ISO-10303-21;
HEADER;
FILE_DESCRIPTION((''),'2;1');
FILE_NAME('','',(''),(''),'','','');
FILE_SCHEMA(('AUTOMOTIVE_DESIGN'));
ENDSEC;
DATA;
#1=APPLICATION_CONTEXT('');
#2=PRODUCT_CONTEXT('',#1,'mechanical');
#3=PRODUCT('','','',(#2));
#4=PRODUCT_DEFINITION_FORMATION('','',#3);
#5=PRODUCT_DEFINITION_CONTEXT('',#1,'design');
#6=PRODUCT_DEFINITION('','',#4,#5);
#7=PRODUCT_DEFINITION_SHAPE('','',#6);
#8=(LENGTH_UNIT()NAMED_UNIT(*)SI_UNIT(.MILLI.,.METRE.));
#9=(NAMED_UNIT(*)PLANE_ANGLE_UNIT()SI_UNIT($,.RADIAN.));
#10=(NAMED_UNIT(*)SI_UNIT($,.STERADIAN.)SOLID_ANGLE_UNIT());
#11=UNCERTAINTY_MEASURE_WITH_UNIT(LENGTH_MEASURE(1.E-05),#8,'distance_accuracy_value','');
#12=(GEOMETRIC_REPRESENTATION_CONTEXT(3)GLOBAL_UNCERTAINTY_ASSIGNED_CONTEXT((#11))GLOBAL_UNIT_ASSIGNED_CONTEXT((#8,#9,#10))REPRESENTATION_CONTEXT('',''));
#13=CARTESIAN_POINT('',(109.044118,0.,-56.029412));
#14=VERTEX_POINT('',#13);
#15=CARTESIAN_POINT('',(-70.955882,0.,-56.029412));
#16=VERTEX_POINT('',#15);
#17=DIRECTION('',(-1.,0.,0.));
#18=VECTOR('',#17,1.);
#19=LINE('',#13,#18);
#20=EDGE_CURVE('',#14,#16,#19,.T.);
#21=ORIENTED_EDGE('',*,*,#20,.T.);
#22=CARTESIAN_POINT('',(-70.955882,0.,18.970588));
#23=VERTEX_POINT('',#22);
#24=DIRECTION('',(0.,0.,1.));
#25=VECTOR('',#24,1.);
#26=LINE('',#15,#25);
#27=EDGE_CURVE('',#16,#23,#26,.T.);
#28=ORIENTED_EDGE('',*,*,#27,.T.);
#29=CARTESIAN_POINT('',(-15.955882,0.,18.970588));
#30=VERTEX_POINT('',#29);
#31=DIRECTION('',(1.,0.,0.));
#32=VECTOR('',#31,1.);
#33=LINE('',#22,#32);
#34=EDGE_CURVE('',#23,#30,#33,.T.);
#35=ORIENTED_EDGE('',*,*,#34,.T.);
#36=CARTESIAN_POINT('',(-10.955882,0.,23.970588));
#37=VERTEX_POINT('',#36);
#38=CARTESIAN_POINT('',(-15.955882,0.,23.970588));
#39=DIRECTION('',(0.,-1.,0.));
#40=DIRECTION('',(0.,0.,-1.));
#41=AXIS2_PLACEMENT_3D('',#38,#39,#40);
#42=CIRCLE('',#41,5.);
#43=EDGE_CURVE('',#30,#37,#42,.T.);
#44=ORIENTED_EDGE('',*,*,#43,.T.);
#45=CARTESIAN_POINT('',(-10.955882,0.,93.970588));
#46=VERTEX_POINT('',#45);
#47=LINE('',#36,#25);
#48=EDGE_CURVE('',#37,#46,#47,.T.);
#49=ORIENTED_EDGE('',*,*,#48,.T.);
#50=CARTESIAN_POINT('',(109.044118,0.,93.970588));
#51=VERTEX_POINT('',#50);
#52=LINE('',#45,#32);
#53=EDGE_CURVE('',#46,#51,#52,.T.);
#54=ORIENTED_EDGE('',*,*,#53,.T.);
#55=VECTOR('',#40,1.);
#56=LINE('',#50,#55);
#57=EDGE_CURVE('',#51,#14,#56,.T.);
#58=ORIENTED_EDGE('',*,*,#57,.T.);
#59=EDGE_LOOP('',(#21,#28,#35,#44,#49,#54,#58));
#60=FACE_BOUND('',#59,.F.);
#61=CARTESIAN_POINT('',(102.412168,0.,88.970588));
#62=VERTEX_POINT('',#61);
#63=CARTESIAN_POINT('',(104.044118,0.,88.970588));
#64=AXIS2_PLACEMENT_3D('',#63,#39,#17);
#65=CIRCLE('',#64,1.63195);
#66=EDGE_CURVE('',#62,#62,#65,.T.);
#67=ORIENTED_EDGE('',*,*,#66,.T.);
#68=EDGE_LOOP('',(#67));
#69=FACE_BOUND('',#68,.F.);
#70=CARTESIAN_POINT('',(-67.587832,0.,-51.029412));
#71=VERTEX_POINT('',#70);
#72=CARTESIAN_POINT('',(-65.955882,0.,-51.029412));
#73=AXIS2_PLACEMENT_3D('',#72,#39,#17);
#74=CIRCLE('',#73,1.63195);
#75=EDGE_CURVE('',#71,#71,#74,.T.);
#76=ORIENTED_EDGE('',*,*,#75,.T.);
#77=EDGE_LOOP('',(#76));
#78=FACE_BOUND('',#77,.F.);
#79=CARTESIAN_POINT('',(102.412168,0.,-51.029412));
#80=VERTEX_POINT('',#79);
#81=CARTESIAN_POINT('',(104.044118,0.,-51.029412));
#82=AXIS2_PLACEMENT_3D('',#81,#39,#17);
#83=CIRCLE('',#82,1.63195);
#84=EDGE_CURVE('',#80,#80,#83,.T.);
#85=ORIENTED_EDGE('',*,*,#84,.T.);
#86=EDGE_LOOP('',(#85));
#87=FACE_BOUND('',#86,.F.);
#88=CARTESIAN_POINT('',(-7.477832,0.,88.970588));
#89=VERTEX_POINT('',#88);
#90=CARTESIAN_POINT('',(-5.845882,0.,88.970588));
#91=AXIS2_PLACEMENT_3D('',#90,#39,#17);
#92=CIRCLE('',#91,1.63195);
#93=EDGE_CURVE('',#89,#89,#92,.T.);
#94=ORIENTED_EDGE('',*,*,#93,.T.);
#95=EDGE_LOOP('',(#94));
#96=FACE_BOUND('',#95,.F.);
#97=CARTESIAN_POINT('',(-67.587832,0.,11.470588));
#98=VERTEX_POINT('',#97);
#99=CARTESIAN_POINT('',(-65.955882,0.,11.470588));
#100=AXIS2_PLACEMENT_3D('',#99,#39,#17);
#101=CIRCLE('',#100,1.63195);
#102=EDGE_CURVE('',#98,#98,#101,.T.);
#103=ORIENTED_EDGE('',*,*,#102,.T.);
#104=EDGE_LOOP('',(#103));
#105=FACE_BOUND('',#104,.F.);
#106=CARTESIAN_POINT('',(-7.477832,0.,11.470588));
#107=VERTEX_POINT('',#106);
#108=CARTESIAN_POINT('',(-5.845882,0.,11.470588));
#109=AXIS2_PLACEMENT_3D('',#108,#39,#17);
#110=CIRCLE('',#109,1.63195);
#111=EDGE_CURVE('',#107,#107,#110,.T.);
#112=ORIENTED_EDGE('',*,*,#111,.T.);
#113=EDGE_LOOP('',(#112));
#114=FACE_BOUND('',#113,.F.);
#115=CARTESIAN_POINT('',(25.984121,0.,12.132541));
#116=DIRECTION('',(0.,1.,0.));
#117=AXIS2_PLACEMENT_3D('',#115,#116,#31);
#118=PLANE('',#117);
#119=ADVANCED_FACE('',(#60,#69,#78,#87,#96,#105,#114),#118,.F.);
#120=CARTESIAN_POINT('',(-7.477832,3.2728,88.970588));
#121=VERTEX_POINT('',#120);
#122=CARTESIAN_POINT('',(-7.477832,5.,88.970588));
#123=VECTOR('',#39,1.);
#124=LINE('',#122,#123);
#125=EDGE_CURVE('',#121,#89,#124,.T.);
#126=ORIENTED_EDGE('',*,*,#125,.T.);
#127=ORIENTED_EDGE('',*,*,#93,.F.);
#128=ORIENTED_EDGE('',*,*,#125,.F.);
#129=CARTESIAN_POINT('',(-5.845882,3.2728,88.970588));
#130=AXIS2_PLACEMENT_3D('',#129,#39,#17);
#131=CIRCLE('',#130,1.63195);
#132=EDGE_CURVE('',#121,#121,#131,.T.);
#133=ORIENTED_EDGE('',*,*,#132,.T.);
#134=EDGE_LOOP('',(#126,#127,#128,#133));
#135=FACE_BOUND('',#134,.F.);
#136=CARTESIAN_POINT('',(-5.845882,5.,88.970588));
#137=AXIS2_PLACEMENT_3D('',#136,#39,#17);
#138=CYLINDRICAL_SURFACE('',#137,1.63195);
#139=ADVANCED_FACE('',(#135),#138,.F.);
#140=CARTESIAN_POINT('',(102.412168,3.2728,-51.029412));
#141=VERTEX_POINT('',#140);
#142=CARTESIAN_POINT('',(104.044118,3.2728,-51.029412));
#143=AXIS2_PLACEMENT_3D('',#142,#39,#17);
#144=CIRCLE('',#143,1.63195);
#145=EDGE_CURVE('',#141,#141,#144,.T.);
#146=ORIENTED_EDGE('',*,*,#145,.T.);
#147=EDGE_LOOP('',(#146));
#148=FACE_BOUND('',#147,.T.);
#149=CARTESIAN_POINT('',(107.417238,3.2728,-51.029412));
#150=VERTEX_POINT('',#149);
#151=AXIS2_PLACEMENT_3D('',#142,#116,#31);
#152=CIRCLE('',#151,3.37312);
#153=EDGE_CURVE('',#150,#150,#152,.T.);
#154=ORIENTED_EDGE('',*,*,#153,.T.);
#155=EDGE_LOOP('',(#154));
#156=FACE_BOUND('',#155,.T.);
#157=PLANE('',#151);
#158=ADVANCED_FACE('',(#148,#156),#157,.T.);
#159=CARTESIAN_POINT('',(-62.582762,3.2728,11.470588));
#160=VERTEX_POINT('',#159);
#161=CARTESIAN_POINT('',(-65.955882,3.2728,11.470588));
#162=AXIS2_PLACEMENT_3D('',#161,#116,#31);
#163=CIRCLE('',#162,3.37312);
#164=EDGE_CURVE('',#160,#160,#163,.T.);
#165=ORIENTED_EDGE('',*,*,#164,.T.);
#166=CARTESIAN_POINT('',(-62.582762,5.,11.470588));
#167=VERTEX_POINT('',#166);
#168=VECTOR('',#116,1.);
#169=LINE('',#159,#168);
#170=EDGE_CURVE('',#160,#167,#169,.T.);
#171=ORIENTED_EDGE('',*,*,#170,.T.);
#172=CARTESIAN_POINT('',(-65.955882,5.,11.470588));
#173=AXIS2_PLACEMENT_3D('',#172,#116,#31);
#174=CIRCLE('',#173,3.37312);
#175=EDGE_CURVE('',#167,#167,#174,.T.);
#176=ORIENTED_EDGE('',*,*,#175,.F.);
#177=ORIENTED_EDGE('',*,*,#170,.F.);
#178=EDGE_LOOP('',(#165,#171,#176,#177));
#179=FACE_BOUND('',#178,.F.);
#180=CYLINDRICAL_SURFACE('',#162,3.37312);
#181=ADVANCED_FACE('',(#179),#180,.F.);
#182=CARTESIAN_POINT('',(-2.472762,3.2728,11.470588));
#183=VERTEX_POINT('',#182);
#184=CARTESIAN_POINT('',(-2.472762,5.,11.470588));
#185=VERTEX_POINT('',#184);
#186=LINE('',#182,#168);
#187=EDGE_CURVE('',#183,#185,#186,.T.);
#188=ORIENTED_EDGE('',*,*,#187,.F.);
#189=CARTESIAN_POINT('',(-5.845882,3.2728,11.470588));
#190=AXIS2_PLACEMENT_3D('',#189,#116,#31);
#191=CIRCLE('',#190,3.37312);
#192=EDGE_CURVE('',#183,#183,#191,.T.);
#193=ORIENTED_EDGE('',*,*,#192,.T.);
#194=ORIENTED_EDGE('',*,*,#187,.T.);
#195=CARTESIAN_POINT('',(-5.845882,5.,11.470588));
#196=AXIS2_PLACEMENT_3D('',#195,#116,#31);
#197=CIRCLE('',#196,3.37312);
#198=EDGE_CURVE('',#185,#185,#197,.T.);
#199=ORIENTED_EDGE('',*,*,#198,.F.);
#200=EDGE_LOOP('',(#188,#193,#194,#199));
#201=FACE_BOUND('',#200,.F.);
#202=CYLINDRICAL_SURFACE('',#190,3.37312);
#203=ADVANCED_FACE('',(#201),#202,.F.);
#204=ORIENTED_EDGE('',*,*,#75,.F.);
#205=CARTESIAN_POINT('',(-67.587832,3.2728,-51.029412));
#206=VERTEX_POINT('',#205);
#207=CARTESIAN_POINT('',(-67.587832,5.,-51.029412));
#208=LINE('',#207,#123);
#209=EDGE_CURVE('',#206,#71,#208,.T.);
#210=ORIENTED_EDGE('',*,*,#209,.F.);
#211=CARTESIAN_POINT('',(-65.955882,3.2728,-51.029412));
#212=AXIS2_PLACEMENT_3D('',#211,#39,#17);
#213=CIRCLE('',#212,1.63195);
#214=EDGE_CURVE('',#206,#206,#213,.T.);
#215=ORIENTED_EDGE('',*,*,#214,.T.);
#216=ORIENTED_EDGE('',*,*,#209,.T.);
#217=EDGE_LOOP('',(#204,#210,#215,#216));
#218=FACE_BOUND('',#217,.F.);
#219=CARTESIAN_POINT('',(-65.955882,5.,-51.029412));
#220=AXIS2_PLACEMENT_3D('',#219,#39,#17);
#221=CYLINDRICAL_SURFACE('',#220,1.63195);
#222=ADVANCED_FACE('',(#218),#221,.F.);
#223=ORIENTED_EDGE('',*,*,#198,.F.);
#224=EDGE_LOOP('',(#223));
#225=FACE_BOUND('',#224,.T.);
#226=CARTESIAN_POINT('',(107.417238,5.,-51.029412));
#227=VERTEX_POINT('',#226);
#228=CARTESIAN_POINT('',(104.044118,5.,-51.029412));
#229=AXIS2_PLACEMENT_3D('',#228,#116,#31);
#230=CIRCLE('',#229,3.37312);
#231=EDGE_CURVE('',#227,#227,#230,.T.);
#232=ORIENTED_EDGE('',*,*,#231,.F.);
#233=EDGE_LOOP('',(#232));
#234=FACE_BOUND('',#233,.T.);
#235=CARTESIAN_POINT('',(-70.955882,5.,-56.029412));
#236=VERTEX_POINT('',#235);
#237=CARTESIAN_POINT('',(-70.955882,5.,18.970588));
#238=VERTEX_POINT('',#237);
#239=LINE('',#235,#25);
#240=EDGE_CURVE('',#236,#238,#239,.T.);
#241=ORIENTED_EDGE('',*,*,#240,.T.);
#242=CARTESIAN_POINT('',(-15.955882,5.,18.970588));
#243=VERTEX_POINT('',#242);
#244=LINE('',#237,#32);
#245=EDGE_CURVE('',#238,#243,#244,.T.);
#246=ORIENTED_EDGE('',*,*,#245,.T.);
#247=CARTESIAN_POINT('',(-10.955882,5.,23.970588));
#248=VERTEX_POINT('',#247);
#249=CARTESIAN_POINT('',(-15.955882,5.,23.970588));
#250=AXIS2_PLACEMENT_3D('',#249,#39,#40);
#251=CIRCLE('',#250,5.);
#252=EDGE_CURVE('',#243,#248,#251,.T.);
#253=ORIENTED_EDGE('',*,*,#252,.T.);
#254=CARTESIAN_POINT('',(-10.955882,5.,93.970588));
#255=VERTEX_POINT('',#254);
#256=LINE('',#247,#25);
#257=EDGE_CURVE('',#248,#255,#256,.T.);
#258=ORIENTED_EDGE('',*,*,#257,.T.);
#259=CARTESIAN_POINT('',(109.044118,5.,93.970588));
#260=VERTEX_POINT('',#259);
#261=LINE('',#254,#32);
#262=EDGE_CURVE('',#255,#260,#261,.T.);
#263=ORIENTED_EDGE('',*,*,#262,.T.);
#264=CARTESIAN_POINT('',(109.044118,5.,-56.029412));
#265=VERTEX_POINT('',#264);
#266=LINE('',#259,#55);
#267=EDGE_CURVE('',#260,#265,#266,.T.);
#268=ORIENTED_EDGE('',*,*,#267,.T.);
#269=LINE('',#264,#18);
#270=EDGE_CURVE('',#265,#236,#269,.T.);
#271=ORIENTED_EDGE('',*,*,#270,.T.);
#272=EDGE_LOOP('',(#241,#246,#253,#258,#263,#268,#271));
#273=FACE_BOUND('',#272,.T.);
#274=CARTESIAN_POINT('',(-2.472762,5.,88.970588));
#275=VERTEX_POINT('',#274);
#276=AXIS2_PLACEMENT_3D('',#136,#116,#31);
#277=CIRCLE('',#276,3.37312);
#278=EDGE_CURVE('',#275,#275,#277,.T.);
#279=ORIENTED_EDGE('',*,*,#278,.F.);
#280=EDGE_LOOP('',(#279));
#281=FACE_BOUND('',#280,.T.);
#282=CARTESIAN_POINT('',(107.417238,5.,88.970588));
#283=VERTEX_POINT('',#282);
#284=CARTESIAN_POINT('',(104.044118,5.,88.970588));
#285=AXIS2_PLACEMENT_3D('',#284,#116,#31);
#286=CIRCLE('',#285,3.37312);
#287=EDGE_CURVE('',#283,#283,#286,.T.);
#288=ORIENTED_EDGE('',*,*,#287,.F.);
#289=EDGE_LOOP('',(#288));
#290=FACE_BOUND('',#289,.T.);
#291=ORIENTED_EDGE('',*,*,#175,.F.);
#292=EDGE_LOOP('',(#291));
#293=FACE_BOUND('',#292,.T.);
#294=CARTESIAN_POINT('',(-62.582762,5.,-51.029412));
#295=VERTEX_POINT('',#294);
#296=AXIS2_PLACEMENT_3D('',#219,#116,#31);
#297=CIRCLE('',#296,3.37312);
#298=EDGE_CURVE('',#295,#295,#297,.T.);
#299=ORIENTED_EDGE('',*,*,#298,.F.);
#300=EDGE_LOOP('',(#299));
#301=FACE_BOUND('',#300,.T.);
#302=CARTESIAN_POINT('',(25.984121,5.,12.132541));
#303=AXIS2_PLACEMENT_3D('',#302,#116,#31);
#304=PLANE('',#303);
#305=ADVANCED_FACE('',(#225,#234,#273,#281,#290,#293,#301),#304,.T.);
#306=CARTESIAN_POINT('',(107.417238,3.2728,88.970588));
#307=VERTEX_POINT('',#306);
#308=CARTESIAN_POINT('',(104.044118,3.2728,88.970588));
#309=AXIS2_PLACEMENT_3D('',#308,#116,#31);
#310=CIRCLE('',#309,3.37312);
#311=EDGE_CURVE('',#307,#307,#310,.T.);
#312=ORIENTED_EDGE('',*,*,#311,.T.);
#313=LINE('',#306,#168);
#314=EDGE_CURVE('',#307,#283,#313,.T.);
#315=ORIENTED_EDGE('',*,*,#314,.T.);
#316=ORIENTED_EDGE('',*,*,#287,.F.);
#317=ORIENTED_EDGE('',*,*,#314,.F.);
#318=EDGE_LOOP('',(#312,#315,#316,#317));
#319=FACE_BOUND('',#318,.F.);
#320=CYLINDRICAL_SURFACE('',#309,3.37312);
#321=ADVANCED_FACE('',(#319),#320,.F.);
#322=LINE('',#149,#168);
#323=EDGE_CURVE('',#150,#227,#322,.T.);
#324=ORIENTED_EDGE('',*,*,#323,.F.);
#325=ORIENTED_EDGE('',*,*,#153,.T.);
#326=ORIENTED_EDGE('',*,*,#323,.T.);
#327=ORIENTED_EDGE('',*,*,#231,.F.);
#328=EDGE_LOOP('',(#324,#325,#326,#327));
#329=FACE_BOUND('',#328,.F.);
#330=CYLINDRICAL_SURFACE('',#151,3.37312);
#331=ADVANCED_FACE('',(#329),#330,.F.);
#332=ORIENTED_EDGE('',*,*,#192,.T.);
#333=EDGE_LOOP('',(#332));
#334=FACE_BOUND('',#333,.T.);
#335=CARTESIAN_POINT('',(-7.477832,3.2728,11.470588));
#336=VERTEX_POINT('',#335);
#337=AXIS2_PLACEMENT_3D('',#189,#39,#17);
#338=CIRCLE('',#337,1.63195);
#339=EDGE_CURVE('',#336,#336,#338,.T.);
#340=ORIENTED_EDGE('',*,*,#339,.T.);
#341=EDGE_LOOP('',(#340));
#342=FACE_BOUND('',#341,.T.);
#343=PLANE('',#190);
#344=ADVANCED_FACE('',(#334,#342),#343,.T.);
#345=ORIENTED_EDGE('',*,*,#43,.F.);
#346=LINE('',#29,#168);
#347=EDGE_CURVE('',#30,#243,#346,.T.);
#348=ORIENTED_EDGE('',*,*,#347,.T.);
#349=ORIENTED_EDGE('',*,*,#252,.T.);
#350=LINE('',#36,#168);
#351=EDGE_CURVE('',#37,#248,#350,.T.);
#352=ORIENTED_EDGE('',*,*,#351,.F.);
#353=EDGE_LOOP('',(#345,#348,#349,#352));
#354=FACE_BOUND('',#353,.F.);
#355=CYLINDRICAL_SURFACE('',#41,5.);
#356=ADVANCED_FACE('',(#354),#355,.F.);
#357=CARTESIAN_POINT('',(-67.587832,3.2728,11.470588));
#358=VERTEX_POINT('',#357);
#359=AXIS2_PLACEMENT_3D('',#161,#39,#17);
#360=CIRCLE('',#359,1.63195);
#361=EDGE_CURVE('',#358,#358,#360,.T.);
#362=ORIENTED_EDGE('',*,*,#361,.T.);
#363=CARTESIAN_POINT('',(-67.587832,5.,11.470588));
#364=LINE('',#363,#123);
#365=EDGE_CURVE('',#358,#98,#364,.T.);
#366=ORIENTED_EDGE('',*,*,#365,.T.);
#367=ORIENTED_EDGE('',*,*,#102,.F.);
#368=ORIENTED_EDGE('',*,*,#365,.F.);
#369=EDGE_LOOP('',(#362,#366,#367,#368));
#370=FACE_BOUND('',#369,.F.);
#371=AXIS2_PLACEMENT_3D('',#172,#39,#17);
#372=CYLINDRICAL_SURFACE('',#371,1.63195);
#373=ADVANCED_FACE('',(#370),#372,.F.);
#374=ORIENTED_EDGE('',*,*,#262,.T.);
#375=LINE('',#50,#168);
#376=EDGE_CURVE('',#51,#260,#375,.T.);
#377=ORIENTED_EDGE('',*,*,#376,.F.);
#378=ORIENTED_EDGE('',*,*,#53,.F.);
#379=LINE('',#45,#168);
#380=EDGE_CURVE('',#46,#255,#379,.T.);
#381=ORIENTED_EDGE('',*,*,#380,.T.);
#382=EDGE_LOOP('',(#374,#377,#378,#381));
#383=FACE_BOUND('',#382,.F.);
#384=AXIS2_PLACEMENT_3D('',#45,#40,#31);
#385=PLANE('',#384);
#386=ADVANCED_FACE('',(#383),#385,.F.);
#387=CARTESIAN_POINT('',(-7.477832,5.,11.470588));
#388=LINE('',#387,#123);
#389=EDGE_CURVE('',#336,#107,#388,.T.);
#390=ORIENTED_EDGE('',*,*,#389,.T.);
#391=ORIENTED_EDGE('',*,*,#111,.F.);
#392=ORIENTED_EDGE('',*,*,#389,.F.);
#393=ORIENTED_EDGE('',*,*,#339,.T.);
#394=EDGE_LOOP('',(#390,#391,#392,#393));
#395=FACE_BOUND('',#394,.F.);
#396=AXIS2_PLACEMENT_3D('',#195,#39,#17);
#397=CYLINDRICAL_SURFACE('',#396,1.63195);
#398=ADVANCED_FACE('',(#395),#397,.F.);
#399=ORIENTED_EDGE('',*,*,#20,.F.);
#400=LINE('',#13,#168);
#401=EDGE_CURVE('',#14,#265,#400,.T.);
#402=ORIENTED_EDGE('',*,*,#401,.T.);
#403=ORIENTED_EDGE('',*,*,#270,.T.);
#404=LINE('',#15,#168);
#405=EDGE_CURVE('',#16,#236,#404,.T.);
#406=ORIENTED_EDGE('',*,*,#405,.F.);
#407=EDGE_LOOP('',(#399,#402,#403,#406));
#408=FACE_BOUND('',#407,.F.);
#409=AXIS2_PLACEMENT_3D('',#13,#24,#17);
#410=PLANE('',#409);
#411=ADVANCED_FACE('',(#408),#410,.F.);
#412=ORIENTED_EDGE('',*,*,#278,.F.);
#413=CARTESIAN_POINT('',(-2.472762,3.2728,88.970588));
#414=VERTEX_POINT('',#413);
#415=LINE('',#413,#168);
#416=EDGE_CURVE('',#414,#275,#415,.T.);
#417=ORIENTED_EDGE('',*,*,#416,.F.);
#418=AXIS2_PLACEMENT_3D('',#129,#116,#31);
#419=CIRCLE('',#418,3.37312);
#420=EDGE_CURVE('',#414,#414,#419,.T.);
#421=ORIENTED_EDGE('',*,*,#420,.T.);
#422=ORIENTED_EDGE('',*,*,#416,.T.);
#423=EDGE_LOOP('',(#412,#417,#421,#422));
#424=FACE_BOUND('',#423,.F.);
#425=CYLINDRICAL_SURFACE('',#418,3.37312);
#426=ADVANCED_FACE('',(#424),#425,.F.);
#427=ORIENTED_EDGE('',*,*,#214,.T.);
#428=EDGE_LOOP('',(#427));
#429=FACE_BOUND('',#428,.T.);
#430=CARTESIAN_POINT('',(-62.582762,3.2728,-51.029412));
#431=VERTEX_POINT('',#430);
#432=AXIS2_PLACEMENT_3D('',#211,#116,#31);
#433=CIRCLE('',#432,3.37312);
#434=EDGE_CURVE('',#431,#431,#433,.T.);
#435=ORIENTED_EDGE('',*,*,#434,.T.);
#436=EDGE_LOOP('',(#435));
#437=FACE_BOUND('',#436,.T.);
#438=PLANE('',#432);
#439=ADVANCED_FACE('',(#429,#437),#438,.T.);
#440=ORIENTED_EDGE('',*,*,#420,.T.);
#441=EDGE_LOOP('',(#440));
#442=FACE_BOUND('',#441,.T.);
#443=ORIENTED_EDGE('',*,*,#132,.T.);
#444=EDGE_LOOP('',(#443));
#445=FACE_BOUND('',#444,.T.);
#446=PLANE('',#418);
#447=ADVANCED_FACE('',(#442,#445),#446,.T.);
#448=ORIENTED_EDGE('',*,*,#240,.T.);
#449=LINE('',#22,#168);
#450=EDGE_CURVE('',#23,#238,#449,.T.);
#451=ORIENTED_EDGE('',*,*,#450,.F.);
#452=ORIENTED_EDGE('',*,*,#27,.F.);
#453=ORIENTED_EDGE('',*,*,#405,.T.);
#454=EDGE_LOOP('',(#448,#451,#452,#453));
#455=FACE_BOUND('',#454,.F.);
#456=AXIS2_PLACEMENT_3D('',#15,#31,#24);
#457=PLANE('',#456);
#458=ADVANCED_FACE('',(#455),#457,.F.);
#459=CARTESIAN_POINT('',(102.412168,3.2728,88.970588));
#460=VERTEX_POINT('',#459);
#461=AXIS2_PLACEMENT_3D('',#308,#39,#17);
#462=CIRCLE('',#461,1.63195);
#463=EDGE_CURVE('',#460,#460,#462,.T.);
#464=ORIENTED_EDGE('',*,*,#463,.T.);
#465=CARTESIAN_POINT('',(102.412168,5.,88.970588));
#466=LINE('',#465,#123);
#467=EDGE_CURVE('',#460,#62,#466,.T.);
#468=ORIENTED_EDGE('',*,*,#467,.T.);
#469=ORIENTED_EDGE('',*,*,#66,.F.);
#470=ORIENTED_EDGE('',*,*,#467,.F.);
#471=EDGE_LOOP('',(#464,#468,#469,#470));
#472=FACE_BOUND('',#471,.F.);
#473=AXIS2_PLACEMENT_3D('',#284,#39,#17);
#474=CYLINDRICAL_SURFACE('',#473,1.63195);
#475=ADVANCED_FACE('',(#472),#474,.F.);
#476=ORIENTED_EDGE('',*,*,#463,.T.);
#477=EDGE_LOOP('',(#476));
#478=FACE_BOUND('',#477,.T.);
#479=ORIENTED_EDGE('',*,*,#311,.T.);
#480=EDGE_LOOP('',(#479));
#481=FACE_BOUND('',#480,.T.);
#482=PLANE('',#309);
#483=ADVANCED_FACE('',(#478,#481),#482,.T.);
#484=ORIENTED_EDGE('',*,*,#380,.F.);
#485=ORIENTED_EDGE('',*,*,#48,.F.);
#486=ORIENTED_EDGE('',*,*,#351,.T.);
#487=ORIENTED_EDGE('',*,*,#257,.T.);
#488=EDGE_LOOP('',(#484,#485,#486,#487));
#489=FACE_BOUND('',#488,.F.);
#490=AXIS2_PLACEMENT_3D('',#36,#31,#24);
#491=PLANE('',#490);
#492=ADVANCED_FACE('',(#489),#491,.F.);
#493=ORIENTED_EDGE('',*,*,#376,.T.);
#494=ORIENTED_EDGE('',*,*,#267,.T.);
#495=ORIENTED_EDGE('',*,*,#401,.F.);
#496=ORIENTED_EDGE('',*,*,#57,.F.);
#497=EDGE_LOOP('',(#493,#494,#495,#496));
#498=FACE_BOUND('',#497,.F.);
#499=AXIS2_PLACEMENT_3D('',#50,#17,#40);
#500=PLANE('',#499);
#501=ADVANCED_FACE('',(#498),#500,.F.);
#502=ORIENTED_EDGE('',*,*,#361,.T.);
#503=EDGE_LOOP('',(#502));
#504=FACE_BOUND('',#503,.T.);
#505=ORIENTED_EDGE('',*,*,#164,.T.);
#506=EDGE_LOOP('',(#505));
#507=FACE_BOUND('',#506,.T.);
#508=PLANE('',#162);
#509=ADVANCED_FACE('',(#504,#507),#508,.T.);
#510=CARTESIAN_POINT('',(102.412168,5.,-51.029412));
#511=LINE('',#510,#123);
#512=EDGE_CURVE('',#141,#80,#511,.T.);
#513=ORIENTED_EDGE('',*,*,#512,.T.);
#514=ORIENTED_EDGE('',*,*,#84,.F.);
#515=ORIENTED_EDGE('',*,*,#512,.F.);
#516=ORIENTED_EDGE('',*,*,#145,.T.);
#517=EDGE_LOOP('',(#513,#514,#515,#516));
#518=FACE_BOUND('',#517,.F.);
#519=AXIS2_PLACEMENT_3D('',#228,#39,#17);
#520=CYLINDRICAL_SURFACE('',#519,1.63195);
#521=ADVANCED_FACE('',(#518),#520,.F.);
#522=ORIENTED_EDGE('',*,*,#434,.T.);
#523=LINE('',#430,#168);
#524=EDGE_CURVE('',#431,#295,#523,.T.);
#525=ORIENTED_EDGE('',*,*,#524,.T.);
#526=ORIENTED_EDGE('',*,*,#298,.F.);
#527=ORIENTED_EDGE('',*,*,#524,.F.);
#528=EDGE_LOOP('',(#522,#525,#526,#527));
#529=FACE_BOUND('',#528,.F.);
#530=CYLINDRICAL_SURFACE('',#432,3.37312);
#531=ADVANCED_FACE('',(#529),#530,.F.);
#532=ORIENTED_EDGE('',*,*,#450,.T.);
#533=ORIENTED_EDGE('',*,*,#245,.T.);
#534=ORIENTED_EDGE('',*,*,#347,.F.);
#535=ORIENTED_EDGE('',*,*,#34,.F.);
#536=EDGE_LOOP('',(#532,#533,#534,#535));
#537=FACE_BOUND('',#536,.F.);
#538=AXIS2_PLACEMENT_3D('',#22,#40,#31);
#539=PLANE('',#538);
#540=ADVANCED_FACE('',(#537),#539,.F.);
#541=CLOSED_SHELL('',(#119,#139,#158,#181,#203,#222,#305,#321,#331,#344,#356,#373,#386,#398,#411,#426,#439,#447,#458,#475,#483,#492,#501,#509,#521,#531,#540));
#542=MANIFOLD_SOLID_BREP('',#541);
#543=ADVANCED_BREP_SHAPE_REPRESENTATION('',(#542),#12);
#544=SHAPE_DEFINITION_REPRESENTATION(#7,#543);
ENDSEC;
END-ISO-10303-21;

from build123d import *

# Parameters (mm, degrees)
BOSS_EXTRUDE1_DEPTH                                 = 5
CBORE_FOR_4_BINDING_HEAD_MACHINE_SCREW1_D           = 3.2639
CBORE_FOR_4_BINDING_HEAD_MACHINE_SCREW1_DEPTH       = 5
CBORE_FOR_4_BINDING_HEAD_MACHINE_SCREW1_CBORE_D     = 6.74624
CBORE_FOR_4_BINDING_HEAD_MACHINE_SCREW1_CBORE_DEPTH = 1.7272


with BuildPart() as part:
    # Sketch1 → Boss-Extrude1 (new body)
    with BuildSketch(Plane(origin=(0, 0, 0), x_dir=(1, 0, 0), z_dir=(0, 1, 0))):
        with BuildLine():
            Line((109.044117647, 56.029411765), (-70.955882353, 56.029411765))
            Line((-70.955882353, 56.029411765), (-70.955882353, -18.970588235))
            Line((-70.955882353, -18.970588235), (-15.955882353, -18.970588235))
            ThreePointArc((-15.955882353, -18.970588235), (-12.420348447, -20.435054329), (-10.955882353, -23.970588235))
            Line((-10.955882353, -23.970588235), (-10.955882353, -93.970588235))
            Line((-10.955882353, -93.970588235), (109.044117647, -93.970588235))
            Line((109.044117647, -93.970588235), (109.044117647, -18.970588235))
            Line((109.044117647, -18.970588235), (109.044117647, 56.029411765))
        make_face()
    extrude(amount=BOSS_EXTRUDE1_DEPTH)

    # CBORE for #4 Binding Head Machine Screw1
    with Locations(Plane(origin=(0, 5, 0), x_dir=(1, 0, 0), z_dir=(0, 1, 0))):
        with Locations((-65.955882353, 51.029411765), (-65.955882353, -11.470588235), (-5.845882353, -11.470588235), (-5.845882353, -88.970588235), (104.044117647, -88.970588235), (104.044117647, 51.029411765)):
            CounterBoreHole(CBORE_FOR_4_BINDING_HEAD_MACHINE_SCREW1_D / 2, CBORE_FOR_4_BINDING_HEAD_MACHINE_SCREW1_CBORE_D / 2, CBORE_FOR_4_BINDING_HEAD_MACHINE_SCREW1_CBORE_DEPTH, depth=CBORE_FOR_4_BINDING_HEAD_MACHINE_SCREW1_DEPTH)


solid = part.part
